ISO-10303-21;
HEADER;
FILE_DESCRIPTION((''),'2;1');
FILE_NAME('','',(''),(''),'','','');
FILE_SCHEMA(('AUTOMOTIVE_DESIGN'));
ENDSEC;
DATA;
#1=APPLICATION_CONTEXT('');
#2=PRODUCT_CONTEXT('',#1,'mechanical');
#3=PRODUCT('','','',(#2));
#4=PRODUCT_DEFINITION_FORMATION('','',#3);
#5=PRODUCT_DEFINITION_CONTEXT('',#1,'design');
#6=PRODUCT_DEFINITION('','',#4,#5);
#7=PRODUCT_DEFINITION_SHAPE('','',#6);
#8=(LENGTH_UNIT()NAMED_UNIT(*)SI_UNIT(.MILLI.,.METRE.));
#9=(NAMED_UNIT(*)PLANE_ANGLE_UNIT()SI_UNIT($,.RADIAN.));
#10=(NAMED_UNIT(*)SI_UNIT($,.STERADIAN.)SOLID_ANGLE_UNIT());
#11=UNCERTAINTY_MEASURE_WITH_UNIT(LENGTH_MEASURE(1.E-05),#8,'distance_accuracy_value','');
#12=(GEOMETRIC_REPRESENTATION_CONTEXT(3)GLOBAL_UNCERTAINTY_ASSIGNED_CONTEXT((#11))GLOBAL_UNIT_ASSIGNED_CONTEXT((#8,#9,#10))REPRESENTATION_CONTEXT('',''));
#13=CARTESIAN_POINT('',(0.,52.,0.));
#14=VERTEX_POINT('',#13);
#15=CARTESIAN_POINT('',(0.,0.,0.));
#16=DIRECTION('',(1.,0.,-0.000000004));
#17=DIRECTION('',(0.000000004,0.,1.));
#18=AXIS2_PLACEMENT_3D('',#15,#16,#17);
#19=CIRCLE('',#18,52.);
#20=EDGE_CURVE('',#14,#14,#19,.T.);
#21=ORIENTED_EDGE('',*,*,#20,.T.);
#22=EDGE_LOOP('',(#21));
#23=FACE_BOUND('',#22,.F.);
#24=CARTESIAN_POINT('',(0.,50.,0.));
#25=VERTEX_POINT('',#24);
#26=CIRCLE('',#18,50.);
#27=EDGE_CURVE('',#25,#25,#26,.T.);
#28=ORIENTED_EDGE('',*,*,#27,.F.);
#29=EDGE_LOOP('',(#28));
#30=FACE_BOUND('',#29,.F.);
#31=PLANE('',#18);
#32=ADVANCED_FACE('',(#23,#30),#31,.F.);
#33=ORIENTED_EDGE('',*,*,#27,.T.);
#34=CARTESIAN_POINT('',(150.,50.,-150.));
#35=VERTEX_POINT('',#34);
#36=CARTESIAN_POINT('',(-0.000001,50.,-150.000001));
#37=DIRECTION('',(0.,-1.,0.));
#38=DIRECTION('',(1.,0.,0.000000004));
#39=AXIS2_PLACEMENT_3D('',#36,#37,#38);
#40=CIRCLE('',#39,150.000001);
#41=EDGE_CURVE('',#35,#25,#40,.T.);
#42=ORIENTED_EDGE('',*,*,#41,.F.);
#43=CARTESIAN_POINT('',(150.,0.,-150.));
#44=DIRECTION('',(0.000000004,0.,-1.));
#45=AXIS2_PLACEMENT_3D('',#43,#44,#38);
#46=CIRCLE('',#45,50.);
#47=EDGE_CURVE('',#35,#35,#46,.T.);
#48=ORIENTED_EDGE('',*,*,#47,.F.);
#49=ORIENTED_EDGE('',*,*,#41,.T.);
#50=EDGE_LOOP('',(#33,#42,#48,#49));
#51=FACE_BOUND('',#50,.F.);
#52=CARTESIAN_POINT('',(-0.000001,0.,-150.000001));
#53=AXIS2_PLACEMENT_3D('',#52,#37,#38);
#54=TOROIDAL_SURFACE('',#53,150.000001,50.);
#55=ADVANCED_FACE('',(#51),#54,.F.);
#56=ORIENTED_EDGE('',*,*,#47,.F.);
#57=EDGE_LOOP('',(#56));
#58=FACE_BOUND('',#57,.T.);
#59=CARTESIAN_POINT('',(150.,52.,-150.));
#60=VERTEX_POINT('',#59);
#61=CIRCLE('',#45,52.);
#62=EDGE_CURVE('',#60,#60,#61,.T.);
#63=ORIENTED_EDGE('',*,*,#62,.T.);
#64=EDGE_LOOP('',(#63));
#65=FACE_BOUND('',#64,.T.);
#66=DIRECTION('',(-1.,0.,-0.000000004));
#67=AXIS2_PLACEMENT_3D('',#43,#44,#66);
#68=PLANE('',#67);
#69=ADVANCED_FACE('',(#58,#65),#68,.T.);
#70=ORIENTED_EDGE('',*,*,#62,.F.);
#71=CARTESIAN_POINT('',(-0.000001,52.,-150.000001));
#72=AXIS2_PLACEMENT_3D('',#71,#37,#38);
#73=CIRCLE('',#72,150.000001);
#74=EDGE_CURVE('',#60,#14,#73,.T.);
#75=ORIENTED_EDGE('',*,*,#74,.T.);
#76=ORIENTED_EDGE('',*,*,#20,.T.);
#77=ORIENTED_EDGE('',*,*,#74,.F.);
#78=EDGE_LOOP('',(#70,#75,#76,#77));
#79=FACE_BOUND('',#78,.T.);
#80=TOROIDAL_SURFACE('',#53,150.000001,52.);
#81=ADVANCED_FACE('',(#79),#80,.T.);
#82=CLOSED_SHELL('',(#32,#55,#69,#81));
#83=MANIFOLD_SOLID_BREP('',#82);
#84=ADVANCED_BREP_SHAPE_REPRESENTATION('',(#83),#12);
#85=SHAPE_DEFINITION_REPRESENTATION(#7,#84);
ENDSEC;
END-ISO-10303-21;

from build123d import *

# Parameters (mm, degrees)
F0_R   = 52
F0_R_2 = 50


with BuildPart() as f2:
    # F2: sweep along a path in F1
    with BuildLine(Plane.XZ) as f2_path:
        ThreePointArc((150, -150), (106.066017, -43.933983), (0, 0))
    # F0 (on Right) → F2 (sweep)
    with BuildSketch(Plane.YZ):
        Circle(F0_R)
        Circle(F0_R_2, mode=Mode.SUBTRACT)
    sweep(path=f2_path.line)


solid = f2.part
